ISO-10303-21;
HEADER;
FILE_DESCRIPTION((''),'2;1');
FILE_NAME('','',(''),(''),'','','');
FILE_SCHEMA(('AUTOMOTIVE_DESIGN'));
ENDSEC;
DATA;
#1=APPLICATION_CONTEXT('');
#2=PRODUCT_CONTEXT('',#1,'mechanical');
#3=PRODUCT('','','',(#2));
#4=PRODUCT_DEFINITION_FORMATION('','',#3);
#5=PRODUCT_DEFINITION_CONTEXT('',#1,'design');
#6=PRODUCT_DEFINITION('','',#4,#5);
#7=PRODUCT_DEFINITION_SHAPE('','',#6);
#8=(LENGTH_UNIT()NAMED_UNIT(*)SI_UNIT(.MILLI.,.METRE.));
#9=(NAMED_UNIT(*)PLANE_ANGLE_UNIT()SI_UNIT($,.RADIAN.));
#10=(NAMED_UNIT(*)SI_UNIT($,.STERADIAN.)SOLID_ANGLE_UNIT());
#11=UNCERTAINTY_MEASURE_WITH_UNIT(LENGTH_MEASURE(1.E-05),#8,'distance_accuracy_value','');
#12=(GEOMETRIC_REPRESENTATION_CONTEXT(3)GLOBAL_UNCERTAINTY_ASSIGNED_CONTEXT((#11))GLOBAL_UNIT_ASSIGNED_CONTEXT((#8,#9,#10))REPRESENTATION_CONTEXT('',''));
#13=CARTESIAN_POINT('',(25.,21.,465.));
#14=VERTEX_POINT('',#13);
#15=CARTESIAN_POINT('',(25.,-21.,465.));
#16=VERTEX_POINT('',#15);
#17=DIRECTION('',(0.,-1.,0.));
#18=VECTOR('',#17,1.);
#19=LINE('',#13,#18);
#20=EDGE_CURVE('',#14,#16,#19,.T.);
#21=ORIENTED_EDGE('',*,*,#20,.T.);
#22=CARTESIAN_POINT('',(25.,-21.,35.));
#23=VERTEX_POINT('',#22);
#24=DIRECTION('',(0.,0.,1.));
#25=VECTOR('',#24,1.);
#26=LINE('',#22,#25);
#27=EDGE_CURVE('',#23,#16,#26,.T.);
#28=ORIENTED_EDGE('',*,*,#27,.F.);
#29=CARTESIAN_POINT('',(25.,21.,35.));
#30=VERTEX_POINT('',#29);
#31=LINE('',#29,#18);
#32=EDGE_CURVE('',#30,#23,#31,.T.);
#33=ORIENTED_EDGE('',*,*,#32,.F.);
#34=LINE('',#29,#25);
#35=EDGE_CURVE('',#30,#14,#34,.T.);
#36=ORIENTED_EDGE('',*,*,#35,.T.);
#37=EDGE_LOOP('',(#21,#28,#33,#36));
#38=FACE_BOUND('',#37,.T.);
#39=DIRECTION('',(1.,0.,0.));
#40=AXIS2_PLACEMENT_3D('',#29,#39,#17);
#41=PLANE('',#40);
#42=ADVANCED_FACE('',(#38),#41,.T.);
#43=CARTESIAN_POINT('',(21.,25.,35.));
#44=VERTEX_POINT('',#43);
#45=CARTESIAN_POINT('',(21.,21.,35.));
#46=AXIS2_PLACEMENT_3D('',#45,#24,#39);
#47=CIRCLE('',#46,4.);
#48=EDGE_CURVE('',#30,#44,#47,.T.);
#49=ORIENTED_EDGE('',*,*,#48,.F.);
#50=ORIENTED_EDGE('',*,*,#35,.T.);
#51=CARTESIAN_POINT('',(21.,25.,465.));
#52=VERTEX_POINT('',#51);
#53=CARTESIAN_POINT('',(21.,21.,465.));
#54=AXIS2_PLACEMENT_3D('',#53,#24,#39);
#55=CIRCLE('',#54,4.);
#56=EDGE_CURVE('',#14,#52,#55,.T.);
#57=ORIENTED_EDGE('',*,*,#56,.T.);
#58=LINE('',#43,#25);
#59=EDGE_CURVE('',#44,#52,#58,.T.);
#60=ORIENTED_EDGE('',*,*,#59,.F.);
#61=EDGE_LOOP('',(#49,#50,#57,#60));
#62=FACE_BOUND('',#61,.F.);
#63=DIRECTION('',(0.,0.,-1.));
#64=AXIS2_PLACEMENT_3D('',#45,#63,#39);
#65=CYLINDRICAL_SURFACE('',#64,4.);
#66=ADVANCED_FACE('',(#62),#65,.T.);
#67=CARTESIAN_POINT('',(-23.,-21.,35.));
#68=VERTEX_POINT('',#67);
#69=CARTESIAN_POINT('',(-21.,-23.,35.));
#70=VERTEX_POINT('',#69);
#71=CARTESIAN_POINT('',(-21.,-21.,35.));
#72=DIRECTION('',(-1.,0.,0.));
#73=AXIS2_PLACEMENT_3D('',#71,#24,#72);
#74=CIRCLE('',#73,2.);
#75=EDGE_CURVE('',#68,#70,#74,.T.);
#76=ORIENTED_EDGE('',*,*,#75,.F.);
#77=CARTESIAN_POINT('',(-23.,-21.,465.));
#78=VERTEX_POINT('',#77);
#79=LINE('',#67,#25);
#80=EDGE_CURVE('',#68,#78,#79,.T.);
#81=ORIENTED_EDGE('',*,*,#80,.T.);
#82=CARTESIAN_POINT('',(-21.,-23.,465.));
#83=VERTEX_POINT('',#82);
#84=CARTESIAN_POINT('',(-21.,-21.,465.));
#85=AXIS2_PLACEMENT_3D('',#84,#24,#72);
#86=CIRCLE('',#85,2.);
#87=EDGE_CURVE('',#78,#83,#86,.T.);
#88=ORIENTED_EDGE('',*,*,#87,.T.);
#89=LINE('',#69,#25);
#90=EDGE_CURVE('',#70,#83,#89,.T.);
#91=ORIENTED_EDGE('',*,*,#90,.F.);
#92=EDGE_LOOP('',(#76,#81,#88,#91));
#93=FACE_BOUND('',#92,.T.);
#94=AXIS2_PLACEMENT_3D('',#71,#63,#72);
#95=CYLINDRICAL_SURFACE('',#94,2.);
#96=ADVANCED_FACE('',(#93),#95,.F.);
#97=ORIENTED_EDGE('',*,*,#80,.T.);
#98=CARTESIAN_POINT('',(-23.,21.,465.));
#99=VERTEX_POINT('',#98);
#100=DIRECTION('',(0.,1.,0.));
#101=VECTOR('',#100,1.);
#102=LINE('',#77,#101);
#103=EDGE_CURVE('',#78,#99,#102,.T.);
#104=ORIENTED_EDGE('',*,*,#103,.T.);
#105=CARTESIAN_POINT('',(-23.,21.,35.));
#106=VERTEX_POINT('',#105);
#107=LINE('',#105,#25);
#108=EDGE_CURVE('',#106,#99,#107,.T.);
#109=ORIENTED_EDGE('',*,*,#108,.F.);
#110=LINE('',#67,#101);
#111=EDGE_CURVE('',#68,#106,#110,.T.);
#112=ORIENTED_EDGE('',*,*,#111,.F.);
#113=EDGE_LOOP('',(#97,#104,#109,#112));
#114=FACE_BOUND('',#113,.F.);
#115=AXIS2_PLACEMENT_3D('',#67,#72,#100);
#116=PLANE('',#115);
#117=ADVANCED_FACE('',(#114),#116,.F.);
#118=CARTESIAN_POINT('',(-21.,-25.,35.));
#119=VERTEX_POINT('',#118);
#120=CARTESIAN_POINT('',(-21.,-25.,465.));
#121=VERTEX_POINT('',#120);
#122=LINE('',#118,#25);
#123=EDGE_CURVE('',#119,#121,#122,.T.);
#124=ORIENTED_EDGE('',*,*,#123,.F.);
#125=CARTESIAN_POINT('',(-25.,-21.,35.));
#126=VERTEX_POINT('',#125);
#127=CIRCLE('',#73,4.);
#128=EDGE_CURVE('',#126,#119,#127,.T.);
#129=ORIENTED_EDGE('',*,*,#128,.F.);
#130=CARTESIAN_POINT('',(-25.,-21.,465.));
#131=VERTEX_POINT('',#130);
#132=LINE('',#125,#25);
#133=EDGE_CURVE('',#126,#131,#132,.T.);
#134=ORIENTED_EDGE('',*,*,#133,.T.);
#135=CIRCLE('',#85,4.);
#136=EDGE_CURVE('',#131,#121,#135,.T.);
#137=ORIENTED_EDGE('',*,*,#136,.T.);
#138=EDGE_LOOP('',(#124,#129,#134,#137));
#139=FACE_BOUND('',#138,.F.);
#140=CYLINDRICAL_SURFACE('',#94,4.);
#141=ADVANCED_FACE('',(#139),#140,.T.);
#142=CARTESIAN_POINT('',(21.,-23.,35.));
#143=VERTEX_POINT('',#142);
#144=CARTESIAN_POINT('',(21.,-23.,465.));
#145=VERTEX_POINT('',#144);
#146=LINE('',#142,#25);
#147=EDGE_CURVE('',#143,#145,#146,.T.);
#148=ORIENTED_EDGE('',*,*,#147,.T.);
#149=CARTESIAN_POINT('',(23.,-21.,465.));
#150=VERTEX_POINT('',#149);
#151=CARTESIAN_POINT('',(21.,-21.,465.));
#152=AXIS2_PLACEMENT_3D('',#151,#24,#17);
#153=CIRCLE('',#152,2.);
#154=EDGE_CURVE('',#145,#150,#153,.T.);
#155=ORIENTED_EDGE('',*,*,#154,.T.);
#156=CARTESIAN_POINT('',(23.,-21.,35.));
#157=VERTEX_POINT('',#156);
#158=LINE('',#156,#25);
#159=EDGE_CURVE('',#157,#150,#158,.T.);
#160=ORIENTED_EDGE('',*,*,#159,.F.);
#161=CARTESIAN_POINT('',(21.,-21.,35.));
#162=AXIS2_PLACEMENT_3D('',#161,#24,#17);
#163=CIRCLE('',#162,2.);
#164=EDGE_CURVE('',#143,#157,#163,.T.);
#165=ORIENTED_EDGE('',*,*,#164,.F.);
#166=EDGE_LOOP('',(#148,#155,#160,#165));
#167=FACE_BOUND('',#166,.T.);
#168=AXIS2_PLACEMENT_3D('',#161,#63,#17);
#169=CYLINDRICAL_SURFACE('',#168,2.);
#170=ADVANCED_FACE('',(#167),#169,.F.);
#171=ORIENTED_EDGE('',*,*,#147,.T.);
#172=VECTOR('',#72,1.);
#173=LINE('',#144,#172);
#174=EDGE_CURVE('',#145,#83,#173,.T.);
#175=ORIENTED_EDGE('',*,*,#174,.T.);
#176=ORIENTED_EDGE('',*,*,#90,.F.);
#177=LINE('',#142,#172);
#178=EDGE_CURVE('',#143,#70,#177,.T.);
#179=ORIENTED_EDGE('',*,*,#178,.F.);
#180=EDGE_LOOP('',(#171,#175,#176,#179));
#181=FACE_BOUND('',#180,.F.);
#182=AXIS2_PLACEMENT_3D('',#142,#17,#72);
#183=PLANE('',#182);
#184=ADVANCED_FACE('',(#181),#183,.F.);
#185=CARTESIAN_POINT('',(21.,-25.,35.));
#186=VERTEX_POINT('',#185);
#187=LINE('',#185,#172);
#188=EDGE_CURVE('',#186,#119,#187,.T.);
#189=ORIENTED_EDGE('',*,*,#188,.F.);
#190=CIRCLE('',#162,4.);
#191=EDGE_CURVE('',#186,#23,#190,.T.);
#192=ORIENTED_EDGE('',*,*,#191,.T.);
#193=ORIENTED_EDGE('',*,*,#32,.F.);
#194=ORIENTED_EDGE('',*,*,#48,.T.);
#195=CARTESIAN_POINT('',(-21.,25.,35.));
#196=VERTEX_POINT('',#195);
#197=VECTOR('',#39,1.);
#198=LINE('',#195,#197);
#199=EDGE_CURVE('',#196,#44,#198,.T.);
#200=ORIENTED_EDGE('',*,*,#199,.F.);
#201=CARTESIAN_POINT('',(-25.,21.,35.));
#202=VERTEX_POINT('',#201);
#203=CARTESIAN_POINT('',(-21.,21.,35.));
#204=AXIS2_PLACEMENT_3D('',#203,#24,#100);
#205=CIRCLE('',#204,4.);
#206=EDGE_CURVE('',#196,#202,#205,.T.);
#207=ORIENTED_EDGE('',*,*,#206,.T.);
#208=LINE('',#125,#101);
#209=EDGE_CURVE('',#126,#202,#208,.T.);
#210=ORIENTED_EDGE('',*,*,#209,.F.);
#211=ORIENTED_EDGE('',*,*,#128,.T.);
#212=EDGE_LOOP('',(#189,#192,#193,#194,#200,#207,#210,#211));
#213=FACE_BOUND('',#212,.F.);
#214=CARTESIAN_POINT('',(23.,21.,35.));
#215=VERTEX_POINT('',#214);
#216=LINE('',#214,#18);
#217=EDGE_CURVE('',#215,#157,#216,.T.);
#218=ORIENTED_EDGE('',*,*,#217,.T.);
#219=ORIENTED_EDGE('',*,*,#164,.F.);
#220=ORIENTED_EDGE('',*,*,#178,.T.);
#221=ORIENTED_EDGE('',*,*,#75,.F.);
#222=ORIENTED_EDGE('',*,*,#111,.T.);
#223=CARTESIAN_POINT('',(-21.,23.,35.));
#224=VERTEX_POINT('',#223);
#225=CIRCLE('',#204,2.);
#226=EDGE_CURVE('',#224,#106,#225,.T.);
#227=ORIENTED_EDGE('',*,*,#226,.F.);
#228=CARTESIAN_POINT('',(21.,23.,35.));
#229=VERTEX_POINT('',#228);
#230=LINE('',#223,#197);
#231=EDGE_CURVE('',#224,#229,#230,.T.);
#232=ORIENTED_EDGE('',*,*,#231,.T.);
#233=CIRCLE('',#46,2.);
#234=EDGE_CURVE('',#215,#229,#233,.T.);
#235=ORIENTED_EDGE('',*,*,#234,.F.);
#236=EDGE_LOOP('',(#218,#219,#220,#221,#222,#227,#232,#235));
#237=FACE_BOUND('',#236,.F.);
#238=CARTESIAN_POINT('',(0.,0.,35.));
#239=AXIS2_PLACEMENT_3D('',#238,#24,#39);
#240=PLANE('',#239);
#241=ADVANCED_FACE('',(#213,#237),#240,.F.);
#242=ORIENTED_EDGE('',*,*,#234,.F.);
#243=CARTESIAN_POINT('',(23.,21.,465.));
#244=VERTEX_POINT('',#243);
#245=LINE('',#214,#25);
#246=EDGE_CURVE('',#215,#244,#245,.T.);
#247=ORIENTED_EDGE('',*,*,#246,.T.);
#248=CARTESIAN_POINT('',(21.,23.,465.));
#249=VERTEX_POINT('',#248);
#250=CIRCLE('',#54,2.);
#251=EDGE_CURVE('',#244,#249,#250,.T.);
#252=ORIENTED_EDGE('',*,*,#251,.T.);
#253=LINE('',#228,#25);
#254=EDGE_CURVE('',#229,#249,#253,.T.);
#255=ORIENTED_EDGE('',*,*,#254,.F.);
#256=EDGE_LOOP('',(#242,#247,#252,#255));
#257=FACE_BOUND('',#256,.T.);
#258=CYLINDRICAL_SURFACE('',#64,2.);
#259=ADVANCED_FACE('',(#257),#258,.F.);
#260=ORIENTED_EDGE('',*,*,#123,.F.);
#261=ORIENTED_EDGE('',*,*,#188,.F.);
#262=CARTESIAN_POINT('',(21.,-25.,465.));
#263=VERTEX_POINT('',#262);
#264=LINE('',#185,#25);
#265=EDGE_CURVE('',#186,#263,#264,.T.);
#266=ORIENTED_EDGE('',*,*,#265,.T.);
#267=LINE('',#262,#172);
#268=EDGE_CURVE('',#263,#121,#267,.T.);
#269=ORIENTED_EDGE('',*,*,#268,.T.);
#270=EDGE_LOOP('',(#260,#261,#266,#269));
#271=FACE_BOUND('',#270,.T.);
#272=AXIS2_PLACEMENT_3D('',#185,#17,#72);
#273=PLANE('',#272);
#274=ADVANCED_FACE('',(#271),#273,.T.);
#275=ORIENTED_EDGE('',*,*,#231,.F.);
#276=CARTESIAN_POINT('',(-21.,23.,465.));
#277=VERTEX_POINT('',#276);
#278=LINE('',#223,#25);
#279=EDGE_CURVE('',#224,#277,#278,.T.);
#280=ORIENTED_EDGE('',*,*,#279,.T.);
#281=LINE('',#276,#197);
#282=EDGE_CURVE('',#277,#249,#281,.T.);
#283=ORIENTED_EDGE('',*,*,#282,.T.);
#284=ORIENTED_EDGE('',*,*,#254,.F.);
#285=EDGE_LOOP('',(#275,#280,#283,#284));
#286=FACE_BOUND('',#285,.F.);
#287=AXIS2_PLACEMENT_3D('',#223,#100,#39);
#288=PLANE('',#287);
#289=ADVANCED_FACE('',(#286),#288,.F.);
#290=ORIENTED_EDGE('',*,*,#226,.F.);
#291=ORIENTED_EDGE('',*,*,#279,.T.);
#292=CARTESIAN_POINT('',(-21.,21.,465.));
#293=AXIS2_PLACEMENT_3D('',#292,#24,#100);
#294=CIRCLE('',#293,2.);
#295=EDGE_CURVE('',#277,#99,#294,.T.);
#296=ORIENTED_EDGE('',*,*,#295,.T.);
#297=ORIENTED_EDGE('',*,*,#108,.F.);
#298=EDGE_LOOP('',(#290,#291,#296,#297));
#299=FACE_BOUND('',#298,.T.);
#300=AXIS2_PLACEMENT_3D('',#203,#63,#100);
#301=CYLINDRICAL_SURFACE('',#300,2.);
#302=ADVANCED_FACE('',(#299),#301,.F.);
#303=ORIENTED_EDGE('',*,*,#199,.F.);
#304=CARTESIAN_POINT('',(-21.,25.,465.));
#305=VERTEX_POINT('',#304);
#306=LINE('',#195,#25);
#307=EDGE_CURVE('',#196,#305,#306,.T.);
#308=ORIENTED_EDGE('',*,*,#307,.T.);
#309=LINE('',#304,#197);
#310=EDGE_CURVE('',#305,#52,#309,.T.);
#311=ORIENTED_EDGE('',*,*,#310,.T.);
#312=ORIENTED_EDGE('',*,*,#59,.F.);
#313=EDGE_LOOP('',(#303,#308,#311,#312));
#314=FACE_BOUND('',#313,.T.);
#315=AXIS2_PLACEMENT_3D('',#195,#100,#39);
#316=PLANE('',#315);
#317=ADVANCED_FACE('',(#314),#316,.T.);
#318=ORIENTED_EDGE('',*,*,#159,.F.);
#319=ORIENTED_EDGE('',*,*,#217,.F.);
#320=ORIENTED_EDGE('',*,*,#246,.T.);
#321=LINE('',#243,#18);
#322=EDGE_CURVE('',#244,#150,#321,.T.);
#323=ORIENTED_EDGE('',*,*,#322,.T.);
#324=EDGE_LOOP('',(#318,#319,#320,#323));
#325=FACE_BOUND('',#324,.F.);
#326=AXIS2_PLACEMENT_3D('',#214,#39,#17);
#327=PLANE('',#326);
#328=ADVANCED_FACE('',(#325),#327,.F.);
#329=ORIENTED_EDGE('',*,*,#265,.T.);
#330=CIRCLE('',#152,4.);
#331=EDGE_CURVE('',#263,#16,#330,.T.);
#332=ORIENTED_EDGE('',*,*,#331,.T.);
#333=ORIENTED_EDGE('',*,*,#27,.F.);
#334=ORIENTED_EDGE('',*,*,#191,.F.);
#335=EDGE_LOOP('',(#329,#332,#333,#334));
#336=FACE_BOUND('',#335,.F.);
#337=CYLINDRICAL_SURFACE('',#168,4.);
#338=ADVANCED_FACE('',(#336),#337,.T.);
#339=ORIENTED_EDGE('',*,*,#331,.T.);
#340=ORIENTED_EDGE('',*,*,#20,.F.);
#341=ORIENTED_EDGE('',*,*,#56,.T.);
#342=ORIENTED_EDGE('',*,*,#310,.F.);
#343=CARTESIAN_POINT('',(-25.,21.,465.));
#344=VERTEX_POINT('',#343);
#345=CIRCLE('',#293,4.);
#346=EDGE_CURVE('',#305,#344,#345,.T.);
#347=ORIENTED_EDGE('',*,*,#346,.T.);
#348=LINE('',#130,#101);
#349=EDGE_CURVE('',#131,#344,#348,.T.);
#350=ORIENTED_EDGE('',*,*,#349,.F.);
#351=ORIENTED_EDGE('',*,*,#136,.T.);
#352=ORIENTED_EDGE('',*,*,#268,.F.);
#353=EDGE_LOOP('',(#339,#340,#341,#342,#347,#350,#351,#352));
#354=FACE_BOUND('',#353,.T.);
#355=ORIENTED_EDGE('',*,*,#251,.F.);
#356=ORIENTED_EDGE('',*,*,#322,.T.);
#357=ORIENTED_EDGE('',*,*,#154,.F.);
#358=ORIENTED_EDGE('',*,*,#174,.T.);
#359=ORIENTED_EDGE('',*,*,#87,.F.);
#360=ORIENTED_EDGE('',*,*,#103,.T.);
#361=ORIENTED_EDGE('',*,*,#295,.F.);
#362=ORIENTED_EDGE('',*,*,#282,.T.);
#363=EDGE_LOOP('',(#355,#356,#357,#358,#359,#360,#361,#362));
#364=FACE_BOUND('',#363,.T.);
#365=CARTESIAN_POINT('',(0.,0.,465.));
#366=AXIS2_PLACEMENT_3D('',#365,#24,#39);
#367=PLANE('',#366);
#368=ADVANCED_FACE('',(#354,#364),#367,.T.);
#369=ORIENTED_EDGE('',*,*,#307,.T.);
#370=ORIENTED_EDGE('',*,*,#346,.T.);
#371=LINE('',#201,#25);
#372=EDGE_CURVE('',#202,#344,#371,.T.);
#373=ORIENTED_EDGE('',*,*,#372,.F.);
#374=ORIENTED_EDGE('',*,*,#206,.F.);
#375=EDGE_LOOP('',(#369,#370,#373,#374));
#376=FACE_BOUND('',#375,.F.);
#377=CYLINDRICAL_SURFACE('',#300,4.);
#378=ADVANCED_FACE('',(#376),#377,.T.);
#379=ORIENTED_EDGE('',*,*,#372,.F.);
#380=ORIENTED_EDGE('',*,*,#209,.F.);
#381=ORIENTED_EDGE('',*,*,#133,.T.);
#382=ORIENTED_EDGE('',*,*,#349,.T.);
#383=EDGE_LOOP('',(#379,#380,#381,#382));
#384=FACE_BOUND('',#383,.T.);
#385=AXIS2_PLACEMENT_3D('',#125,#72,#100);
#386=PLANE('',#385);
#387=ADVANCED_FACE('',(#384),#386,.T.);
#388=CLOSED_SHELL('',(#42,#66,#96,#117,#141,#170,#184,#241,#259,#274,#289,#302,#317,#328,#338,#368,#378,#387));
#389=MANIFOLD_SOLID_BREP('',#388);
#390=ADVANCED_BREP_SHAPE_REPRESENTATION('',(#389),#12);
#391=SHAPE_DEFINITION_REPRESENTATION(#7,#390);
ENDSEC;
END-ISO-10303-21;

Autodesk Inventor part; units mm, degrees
ref_plane "Start Plane" through (0, 0, 35) normal (0, 0, 1) x (1, 0, 0)
ref_plane "End Plane" through (0, 0, 465) normal (0, 0, 1) x (1, 0, 0)
sketch "Sketch" plane through (0, 0, 0) normal (0, 0, 1) x (1, 0, 0)
  line L0 (-25, -21) -> (-25, 21)
  line L1 (-21, 25) -> (21, 25)
  line L2 (25, 21) -> (25, -21)
  line L3 (21, -25) -> (-21, -25)
  arc A0 (-25, -21) -> (-21, -25) centre (-21, -21) ccw
  arc A1 (25, 21) -> (21, 25) centre (21, 21) ccw
  arc A2 (-21, 25) -> (-25, 21) centre (-21, 21) ccw
  arc A3 (21, -25) -> (25, -21) centre (21, -21) ccw
  arc A4 (-21, 23) -> (-23, 21) centre (-21, 21) ccw
  line L4 (-21, 23) -> (21, 23)
  arc A5 (23, 21) -> (21, 23) centre (21, 21) ccw
  line L5 (23, 21) -> (23, -21)
  arc A6 (21, -23) -> (23, -21) centre (21, -21) ccw
  line L6 (21, -23) -> (-21, -23)
  arc A7 (-23, -21) -> (-21, -23) centre (-21, -21) ccw
  line L7 (-23, -21) -> (-23, 21)
  line L8 (0, 36.1598) -> (0, -36.1598) construction
  line L9 (-36.1598, 0) -> (36.1598, 0) construction
  dimension "d7" = 4
  dimension "d9" = 50
  dimension "d11" = 50
  dimension "d12" = 2
  dimension "d15" = 25
  dimension "d16" = 25
extrude "Body" add sketch "Sketch" along normal up to surface (430 mm away) from surface at 35
sketch "Sketch3" plane through (0, 0, 0) normal (0, 0, 1) x (1, 0, 0)
  line L0 (0, 0) -> (10, 0)
ref_plane "Work Plane3" through (0, 0, 0) normal (0, -1, 0) x (1, 0, 0)
sketch "Sketch4" plane through (0, 0, 0) normal (0, -1, 0) x (1, 0, 0)
  line L0 (-2, 35) -> (12, 35)
  line L1 (-2, 465) -> (12, 465)
  dimension "d18" = 430
ref_plane "Work Plane4" through (0, 29, 465) normal (0, 0, 1) x (1, 0, 0)
split "Split1" plane through (0, 29, 465) removes the side toward (0, 0, 1)
ref_plane "Work Plane5" through (2315, 29, 35) normal (0, 0, -1) x (-1, 0, 0)
split "Split2" plane through (2315, 29, 35) removes the side toward (0, 0, -1)
equation "\"d7\" = G_IR"
equation "\"d9\" = G_W"
equation "\"d11\" = G_H"
equation "\"d12\" = G_T"
equation "\"d15\" = 0.5 * d9"
equation "\"d16\" = 0.5 * d11"
equation "\"d3\" = G_L"
equation "\"G_W\" = 50"
equation "\"G_H\" = 50"
equation "\"G_T\" = 2"
equation "\"G_IR\" = 4"
equation "\"G_L\" = d18"
equation "\"G_OFFSET_START\" = -35"
equation "\"G_OFFSET_END\" = -35"
equation "\"d13\" = -G_OFFSET_START"
equation "\"d14\" = G_OFFSET_END + B_L"
equation "\"B_L\" = 500"
properties part number "ISO 10799-2 - 50x50x2 - 430" material "Steel, Galvanized"
